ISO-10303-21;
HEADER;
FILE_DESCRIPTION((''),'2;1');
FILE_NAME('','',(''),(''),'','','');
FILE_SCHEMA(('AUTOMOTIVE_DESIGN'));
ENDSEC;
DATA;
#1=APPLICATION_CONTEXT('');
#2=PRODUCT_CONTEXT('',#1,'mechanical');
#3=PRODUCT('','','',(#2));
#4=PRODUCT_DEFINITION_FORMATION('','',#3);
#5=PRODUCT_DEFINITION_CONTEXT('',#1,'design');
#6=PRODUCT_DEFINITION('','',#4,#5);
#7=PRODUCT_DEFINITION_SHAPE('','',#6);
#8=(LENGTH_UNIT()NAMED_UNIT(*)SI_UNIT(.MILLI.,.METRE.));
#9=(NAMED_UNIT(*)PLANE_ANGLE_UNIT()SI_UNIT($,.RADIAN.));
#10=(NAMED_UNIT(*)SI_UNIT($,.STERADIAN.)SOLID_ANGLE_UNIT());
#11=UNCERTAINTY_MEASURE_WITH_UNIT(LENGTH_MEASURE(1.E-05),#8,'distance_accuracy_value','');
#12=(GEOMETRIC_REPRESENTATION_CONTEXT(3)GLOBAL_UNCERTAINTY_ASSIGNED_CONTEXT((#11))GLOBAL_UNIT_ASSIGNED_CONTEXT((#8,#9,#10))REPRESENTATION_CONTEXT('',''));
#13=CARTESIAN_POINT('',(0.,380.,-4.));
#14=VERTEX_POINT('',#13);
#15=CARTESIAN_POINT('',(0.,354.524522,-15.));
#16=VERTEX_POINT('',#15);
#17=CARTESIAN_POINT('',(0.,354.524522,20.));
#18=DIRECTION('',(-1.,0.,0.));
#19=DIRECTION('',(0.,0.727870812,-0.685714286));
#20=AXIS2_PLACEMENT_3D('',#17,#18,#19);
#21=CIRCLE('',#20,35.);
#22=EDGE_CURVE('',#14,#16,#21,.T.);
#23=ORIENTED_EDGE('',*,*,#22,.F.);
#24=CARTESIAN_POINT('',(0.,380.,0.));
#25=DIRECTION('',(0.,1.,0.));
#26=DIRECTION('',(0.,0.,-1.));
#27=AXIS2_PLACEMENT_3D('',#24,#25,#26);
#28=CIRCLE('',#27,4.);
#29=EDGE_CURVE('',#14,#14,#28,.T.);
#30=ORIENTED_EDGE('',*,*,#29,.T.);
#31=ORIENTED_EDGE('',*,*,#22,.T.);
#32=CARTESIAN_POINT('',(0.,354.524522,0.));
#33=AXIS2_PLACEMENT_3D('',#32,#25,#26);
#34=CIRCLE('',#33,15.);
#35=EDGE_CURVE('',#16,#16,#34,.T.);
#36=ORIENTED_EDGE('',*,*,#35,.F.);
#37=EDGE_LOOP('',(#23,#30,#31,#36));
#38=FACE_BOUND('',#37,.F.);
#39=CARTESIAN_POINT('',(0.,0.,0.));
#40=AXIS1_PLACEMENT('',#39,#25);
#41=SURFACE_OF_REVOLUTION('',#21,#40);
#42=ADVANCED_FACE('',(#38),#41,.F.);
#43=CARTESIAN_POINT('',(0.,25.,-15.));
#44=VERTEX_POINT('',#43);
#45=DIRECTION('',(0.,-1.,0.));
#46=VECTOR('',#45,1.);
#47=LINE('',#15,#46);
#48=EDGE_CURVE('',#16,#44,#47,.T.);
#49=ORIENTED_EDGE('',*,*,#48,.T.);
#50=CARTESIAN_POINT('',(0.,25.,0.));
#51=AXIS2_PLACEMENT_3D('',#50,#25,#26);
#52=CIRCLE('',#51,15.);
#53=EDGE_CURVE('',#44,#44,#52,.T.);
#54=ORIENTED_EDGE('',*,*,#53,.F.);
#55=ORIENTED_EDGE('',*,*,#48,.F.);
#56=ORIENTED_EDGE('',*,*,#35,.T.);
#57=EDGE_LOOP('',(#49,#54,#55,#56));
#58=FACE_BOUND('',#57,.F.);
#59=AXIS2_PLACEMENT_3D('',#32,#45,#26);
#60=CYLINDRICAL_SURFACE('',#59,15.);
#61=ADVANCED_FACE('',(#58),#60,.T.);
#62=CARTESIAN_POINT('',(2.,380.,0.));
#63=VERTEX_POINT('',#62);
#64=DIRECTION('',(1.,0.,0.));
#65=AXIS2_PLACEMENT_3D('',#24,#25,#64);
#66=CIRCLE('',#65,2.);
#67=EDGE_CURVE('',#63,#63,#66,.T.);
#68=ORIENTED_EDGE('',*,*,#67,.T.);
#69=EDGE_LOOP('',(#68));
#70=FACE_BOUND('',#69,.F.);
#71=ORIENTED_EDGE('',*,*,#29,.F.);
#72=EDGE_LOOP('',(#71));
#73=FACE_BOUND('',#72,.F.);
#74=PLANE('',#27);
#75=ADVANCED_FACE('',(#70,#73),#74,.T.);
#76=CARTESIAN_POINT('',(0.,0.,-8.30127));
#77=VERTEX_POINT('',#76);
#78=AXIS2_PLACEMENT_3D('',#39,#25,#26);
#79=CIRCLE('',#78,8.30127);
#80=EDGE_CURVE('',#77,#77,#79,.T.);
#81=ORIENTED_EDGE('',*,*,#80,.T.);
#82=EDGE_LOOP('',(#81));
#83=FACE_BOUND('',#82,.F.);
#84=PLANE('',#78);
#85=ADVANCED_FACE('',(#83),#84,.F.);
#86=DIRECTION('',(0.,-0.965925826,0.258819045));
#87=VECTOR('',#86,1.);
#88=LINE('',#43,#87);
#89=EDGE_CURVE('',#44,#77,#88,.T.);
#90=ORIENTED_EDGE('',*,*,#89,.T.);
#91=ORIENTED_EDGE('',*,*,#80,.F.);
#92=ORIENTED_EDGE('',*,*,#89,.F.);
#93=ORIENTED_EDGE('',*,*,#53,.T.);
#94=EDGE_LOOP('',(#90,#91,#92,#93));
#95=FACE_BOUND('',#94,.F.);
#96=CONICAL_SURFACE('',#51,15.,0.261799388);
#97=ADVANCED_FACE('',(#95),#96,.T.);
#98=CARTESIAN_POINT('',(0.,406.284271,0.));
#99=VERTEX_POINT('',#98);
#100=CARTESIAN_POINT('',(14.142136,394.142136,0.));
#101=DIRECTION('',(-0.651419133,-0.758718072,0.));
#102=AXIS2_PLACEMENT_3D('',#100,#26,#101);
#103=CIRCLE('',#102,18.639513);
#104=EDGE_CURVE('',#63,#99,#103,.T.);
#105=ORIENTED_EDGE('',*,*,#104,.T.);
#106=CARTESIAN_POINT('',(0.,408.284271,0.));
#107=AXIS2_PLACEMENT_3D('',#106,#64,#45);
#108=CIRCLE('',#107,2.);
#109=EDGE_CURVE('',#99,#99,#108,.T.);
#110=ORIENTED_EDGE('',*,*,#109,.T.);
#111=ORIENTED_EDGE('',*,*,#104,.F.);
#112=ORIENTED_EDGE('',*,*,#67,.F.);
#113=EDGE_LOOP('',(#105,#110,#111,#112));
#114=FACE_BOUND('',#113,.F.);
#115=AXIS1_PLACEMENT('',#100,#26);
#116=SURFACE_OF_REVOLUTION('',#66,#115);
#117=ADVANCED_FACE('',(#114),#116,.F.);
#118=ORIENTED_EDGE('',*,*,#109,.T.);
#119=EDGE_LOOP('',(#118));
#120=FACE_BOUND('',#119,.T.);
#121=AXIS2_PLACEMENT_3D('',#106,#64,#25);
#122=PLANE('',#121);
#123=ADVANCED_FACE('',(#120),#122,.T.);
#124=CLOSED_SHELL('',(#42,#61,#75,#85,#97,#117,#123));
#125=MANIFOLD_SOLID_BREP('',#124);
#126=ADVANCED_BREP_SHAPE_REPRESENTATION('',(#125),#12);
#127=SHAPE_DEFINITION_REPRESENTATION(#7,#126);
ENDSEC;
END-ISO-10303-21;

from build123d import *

# Parameters (mm, degrees)
SKETCH7_R = 2


with BuildPart() as part:
    # Sketch1 → Revolve1 (revolve)
    with BuildSketch(Plane.XY, mode=Mode.PRIVATE) as revolve1_sk:
        with BuildLine():
            Line((0, 0), (0, 380))
            Line((0, 380), (4, 380))
            ThreePointArc((4, 380), (12.132538026, 368.39895852), (15, 354.524521594))
            Line((15, 354.524521594), (15, 25))
            Line((15, 25), (8.301270189, 0))
            Line((8.301270189, 0), (0, 0))
        make_face()
    revolve(revolve1_sk.sketch.rotate(Axis((0, 0, 0), (0, 1, 0)), 90), axis=Axis((0, 0, 0), (0, 1, 0)))

    # Sweep6: sweep along a path in Sketch11
    with BuildLine(Plane.XY) as sweep6_path:
        ThreePointArc((0, 380), (-5.857864376, 394.142135624), (0, 408.284271247))
    # Sketch7 → Sweep6 (sweep)
    with BuildSketch(Plane(origin=(0, 380, 0), x_dir=(1, 0, 0), z_dir=(0, 1, 0))):
        Circle(SKETCH7_R)
    sweep(path=sweep6_path.line)


solid = part.part
